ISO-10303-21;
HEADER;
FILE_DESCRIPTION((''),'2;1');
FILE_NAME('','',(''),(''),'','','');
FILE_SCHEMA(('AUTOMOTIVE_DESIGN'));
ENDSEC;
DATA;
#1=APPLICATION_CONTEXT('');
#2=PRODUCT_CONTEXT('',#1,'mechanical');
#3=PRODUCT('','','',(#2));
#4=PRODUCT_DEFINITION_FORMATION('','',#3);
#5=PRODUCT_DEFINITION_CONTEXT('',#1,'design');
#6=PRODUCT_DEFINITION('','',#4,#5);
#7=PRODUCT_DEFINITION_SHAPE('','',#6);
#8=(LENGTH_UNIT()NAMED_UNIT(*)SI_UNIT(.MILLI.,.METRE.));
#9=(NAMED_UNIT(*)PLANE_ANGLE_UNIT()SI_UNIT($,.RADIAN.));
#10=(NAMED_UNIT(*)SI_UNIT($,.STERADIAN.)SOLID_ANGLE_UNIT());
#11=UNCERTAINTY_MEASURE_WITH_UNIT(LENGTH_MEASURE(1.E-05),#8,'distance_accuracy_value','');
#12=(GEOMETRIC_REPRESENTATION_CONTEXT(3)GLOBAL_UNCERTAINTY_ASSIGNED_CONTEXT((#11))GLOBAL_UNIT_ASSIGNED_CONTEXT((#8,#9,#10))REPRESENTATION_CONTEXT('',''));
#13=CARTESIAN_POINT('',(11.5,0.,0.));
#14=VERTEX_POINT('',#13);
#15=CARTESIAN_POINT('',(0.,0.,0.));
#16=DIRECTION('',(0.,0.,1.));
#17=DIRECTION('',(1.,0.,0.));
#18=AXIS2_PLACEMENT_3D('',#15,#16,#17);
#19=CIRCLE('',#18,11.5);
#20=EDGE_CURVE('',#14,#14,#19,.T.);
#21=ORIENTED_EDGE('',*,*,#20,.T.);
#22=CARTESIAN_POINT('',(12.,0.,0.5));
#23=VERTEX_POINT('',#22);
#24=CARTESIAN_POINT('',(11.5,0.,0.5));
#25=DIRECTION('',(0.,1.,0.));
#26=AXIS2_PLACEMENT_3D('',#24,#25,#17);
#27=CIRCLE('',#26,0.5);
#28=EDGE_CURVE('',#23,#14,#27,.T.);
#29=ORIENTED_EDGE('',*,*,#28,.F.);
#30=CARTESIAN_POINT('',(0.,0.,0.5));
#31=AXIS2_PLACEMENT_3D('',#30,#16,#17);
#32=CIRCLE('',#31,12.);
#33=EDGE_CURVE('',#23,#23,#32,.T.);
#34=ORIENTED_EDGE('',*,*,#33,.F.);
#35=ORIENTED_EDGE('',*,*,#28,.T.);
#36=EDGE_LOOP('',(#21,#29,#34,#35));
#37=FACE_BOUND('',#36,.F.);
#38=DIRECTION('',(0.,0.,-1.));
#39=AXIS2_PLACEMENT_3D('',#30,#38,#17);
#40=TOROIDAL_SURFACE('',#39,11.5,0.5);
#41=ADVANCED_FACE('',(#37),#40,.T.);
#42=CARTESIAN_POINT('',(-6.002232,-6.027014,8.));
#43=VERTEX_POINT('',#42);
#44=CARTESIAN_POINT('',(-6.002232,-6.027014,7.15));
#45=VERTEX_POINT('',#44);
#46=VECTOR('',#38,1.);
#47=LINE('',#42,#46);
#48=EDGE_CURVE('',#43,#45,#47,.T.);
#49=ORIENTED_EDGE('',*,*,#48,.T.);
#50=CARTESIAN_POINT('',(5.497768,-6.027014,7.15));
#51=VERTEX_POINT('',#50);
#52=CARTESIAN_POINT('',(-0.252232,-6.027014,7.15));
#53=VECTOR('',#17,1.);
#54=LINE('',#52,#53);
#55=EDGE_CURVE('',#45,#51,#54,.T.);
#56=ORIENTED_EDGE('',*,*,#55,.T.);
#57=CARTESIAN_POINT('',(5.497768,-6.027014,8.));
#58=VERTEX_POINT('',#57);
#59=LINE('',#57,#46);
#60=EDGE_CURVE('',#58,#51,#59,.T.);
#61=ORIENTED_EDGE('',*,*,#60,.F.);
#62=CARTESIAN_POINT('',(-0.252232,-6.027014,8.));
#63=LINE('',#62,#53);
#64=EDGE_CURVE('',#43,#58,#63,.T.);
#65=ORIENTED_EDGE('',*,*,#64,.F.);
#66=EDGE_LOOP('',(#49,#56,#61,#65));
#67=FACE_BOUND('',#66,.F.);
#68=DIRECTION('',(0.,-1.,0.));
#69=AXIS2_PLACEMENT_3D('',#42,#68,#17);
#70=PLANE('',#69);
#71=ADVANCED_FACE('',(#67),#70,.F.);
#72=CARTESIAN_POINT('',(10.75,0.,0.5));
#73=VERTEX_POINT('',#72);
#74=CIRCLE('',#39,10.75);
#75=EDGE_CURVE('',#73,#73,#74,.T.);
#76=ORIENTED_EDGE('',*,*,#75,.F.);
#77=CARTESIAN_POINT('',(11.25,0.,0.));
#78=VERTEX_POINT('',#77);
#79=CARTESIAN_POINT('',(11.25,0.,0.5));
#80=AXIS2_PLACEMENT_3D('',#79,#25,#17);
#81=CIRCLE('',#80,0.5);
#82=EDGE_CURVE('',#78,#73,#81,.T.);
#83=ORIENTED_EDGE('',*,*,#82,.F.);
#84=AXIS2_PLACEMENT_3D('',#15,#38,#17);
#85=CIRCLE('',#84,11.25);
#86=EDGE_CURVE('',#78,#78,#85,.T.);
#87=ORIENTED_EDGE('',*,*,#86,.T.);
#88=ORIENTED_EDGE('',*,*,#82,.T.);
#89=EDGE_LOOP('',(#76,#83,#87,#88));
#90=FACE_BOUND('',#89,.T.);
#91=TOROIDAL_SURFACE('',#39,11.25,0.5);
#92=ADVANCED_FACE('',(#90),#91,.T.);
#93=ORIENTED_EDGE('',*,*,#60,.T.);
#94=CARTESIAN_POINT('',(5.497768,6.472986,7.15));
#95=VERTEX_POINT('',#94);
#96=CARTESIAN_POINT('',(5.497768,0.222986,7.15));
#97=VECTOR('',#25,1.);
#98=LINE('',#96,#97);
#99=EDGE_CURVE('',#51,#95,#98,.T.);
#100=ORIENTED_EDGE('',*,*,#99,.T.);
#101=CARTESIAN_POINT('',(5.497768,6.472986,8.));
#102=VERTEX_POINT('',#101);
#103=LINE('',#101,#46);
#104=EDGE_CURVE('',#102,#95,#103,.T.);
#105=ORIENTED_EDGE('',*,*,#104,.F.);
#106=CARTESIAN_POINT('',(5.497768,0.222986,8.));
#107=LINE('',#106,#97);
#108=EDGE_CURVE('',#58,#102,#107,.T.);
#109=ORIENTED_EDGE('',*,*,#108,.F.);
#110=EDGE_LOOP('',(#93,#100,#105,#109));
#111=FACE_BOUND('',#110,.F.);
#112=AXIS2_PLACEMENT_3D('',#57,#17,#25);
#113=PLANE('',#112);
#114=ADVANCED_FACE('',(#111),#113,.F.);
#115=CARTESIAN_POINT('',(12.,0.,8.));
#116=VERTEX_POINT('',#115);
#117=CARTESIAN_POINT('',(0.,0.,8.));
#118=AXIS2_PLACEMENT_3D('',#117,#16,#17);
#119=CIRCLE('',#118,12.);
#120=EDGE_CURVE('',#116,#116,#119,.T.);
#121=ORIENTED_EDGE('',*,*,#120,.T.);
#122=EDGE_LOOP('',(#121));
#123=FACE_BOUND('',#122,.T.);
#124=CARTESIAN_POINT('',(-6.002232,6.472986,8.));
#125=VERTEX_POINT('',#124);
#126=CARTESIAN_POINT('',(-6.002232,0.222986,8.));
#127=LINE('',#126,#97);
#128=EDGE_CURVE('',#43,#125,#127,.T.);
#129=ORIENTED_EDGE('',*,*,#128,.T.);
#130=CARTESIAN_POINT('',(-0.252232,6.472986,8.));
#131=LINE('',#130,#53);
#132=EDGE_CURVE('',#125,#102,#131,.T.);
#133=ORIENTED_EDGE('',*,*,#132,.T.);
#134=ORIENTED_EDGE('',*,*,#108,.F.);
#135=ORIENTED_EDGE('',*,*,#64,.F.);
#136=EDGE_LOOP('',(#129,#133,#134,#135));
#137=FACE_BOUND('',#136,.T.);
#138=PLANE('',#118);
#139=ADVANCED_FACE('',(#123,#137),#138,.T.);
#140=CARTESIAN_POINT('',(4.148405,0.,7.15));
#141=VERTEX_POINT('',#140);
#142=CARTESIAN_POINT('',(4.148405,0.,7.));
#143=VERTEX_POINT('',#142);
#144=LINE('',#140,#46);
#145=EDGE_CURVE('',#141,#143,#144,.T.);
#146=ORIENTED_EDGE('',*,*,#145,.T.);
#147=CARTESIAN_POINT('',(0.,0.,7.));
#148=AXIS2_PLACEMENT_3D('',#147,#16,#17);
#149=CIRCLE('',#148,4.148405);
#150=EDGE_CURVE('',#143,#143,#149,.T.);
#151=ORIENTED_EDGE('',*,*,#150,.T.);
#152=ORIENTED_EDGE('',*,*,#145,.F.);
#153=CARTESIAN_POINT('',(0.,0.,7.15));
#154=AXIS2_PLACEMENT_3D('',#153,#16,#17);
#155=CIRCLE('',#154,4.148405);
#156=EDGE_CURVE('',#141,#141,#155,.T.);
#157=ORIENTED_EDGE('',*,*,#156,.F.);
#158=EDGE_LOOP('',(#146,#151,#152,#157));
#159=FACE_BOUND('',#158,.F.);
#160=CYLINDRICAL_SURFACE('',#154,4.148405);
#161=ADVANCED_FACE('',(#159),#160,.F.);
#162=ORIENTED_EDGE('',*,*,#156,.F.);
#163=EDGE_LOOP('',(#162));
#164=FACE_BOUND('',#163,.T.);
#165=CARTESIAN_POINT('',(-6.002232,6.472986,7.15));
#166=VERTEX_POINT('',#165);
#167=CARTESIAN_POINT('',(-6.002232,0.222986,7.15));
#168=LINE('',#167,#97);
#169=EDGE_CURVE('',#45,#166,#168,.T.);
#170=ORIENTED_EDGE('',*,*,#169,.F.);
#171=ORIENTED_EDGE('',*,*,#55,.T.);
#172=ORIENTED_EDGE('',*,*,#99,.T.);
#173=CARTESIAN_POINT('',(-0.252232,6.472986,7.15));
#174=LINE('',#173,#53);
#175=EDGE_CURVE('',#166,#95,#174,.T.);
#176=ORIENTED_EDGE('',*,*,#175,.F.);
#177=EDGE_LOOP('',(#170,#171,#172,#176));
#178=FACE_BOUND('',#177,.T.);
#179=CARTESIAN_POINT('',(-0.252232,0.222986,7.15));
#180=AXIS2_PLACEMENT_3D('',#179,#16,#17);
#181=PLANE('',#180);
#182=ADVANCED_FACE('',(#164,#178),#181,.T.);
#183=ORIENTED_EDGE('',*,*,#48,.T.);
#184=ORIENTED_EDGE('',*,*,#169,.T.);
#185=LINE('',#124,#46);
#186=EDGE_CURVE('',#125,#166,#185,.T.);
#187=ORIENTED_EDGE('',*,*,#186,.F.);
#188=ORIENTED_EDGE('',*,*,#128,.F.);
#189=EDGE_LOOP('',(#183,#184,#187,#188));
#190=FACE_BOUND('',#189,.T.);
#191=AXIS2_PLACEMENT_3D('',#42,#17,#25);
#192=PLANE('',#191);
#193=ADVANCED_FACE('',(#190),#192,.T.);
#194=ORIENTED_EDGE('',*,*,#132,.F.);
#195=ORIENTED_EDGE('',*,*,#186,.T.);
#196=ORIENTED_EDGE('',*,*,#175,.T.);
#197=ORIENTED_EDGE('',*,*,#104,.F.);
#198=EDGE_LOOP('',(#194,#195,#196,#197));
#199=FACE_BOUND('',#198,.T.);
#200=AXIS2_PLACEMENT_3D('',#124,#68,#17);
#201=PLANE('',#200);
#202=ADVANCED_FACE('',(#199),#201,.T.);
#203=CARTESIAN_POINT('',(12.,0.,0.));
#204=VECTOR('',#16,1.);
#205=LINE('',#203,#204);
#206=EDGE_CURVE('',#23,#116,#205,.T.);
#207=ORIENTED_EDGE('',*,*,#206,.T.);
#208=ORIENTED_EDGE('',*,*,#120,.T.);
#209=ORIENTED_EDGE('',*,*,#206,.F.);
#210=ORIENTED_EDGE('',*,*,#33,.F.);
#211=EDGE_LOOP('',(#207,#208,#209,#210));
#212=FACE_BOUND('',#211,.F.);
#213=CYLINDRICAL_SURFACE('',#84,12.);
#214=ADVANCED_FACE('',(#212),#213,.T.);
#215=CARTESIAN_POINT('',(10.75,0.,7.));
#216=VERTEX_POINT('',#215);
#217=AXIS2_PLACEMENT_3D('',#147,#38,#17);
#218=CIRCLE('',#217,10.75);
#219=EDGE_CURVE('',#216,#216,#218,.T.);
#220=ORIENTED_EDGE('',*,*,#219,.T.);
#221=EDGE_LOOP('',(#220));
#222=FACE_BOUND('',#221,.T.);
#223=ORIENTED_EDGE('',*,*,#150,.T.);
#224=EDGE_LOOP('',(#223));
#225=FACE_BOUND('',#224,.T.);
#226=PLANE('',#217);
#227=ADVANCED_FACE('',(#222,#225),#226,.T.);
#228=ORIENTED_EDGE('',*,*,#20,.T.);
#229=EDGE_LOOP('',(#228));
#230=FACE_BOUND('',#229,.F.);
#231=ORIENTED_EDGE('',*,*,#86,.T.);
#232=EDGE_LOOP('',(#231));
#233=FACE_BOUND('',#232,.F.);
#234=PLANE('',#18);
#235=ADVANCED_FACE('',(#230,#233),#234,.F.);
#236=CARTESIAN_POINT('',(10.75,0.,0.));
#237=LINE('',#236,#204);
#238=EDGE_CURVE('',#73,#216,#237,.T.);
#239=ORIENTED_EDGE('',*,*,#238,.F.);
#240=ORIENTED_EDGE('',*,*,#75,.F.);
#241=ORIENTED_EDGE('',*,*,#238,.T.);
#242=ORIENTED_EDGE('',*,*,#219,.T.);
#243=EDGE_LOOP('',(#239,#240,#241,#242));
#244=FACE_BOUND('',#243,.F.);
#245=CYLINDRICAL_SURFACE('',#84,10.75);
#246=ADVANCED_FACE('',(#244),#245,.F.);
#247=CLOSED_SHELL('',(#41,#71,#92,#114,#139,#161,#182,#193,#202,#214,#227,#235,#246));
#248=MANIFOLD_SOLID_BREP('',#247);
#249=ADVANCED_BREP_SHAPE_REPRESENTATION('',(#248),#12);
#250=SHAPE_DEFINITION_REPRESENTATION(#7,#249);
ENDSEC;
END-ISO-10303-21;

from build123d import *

# Parameters (mm, degrees)
F0_R     = 12
F1_DEPTH = 8
F2_R     = 10.75
F3_DEPTH = 7
F4_W     = 11.5
F4_H     = 12.5
F5_DEPTH = 0.85
F6_R     = 4.148405
F7_DEPTH = 0.15
F8_R     = 0.5


with BuildPart() as f1:
    # F0 (on Top) → F1 (new body)
    with BuildSketch(Plane.XY):
        Circle(F0_R)
    extrude(amount=F1_DEPTH)

    # F2 (on face) → F3 (cut)
    with BuildSketch(Plane(origin=(0, 0, 0), x_dir=(1, 0, 0), z_dir=(0, 0, -1))):
        Circle(F2_R)
    extrude(amount=-F3_DEPTH, mode=Mode.SUBTRACT)

    # F4 (on face) → F5 (cut)
    with BuildSketch(Plane.XY.offset(8)):
        with Locations((-0.252232, 0.222986)):
            Rectangle(F4_W, F4_H)
    extrude(amount=-F5_DEPTH, mode=Mode.SUBTRACT)

    # F6 (on face) → F7 (cut)
    with BuildSketch(Plane.XY.offset(7.15)):
        Circle(F6_R)
    extrude(amount=-F7_DEPTH, mode=Mode.SUBTRACT)

    # F8
    f8_edges = [f1.edges().sort_by_distance(p)[0] for p in [
        (-12, 0, 0),
        (-10.75, 0, 0),
    ]]
    fillet(f8_edges, radius=F8_R)


solid = f1.part
